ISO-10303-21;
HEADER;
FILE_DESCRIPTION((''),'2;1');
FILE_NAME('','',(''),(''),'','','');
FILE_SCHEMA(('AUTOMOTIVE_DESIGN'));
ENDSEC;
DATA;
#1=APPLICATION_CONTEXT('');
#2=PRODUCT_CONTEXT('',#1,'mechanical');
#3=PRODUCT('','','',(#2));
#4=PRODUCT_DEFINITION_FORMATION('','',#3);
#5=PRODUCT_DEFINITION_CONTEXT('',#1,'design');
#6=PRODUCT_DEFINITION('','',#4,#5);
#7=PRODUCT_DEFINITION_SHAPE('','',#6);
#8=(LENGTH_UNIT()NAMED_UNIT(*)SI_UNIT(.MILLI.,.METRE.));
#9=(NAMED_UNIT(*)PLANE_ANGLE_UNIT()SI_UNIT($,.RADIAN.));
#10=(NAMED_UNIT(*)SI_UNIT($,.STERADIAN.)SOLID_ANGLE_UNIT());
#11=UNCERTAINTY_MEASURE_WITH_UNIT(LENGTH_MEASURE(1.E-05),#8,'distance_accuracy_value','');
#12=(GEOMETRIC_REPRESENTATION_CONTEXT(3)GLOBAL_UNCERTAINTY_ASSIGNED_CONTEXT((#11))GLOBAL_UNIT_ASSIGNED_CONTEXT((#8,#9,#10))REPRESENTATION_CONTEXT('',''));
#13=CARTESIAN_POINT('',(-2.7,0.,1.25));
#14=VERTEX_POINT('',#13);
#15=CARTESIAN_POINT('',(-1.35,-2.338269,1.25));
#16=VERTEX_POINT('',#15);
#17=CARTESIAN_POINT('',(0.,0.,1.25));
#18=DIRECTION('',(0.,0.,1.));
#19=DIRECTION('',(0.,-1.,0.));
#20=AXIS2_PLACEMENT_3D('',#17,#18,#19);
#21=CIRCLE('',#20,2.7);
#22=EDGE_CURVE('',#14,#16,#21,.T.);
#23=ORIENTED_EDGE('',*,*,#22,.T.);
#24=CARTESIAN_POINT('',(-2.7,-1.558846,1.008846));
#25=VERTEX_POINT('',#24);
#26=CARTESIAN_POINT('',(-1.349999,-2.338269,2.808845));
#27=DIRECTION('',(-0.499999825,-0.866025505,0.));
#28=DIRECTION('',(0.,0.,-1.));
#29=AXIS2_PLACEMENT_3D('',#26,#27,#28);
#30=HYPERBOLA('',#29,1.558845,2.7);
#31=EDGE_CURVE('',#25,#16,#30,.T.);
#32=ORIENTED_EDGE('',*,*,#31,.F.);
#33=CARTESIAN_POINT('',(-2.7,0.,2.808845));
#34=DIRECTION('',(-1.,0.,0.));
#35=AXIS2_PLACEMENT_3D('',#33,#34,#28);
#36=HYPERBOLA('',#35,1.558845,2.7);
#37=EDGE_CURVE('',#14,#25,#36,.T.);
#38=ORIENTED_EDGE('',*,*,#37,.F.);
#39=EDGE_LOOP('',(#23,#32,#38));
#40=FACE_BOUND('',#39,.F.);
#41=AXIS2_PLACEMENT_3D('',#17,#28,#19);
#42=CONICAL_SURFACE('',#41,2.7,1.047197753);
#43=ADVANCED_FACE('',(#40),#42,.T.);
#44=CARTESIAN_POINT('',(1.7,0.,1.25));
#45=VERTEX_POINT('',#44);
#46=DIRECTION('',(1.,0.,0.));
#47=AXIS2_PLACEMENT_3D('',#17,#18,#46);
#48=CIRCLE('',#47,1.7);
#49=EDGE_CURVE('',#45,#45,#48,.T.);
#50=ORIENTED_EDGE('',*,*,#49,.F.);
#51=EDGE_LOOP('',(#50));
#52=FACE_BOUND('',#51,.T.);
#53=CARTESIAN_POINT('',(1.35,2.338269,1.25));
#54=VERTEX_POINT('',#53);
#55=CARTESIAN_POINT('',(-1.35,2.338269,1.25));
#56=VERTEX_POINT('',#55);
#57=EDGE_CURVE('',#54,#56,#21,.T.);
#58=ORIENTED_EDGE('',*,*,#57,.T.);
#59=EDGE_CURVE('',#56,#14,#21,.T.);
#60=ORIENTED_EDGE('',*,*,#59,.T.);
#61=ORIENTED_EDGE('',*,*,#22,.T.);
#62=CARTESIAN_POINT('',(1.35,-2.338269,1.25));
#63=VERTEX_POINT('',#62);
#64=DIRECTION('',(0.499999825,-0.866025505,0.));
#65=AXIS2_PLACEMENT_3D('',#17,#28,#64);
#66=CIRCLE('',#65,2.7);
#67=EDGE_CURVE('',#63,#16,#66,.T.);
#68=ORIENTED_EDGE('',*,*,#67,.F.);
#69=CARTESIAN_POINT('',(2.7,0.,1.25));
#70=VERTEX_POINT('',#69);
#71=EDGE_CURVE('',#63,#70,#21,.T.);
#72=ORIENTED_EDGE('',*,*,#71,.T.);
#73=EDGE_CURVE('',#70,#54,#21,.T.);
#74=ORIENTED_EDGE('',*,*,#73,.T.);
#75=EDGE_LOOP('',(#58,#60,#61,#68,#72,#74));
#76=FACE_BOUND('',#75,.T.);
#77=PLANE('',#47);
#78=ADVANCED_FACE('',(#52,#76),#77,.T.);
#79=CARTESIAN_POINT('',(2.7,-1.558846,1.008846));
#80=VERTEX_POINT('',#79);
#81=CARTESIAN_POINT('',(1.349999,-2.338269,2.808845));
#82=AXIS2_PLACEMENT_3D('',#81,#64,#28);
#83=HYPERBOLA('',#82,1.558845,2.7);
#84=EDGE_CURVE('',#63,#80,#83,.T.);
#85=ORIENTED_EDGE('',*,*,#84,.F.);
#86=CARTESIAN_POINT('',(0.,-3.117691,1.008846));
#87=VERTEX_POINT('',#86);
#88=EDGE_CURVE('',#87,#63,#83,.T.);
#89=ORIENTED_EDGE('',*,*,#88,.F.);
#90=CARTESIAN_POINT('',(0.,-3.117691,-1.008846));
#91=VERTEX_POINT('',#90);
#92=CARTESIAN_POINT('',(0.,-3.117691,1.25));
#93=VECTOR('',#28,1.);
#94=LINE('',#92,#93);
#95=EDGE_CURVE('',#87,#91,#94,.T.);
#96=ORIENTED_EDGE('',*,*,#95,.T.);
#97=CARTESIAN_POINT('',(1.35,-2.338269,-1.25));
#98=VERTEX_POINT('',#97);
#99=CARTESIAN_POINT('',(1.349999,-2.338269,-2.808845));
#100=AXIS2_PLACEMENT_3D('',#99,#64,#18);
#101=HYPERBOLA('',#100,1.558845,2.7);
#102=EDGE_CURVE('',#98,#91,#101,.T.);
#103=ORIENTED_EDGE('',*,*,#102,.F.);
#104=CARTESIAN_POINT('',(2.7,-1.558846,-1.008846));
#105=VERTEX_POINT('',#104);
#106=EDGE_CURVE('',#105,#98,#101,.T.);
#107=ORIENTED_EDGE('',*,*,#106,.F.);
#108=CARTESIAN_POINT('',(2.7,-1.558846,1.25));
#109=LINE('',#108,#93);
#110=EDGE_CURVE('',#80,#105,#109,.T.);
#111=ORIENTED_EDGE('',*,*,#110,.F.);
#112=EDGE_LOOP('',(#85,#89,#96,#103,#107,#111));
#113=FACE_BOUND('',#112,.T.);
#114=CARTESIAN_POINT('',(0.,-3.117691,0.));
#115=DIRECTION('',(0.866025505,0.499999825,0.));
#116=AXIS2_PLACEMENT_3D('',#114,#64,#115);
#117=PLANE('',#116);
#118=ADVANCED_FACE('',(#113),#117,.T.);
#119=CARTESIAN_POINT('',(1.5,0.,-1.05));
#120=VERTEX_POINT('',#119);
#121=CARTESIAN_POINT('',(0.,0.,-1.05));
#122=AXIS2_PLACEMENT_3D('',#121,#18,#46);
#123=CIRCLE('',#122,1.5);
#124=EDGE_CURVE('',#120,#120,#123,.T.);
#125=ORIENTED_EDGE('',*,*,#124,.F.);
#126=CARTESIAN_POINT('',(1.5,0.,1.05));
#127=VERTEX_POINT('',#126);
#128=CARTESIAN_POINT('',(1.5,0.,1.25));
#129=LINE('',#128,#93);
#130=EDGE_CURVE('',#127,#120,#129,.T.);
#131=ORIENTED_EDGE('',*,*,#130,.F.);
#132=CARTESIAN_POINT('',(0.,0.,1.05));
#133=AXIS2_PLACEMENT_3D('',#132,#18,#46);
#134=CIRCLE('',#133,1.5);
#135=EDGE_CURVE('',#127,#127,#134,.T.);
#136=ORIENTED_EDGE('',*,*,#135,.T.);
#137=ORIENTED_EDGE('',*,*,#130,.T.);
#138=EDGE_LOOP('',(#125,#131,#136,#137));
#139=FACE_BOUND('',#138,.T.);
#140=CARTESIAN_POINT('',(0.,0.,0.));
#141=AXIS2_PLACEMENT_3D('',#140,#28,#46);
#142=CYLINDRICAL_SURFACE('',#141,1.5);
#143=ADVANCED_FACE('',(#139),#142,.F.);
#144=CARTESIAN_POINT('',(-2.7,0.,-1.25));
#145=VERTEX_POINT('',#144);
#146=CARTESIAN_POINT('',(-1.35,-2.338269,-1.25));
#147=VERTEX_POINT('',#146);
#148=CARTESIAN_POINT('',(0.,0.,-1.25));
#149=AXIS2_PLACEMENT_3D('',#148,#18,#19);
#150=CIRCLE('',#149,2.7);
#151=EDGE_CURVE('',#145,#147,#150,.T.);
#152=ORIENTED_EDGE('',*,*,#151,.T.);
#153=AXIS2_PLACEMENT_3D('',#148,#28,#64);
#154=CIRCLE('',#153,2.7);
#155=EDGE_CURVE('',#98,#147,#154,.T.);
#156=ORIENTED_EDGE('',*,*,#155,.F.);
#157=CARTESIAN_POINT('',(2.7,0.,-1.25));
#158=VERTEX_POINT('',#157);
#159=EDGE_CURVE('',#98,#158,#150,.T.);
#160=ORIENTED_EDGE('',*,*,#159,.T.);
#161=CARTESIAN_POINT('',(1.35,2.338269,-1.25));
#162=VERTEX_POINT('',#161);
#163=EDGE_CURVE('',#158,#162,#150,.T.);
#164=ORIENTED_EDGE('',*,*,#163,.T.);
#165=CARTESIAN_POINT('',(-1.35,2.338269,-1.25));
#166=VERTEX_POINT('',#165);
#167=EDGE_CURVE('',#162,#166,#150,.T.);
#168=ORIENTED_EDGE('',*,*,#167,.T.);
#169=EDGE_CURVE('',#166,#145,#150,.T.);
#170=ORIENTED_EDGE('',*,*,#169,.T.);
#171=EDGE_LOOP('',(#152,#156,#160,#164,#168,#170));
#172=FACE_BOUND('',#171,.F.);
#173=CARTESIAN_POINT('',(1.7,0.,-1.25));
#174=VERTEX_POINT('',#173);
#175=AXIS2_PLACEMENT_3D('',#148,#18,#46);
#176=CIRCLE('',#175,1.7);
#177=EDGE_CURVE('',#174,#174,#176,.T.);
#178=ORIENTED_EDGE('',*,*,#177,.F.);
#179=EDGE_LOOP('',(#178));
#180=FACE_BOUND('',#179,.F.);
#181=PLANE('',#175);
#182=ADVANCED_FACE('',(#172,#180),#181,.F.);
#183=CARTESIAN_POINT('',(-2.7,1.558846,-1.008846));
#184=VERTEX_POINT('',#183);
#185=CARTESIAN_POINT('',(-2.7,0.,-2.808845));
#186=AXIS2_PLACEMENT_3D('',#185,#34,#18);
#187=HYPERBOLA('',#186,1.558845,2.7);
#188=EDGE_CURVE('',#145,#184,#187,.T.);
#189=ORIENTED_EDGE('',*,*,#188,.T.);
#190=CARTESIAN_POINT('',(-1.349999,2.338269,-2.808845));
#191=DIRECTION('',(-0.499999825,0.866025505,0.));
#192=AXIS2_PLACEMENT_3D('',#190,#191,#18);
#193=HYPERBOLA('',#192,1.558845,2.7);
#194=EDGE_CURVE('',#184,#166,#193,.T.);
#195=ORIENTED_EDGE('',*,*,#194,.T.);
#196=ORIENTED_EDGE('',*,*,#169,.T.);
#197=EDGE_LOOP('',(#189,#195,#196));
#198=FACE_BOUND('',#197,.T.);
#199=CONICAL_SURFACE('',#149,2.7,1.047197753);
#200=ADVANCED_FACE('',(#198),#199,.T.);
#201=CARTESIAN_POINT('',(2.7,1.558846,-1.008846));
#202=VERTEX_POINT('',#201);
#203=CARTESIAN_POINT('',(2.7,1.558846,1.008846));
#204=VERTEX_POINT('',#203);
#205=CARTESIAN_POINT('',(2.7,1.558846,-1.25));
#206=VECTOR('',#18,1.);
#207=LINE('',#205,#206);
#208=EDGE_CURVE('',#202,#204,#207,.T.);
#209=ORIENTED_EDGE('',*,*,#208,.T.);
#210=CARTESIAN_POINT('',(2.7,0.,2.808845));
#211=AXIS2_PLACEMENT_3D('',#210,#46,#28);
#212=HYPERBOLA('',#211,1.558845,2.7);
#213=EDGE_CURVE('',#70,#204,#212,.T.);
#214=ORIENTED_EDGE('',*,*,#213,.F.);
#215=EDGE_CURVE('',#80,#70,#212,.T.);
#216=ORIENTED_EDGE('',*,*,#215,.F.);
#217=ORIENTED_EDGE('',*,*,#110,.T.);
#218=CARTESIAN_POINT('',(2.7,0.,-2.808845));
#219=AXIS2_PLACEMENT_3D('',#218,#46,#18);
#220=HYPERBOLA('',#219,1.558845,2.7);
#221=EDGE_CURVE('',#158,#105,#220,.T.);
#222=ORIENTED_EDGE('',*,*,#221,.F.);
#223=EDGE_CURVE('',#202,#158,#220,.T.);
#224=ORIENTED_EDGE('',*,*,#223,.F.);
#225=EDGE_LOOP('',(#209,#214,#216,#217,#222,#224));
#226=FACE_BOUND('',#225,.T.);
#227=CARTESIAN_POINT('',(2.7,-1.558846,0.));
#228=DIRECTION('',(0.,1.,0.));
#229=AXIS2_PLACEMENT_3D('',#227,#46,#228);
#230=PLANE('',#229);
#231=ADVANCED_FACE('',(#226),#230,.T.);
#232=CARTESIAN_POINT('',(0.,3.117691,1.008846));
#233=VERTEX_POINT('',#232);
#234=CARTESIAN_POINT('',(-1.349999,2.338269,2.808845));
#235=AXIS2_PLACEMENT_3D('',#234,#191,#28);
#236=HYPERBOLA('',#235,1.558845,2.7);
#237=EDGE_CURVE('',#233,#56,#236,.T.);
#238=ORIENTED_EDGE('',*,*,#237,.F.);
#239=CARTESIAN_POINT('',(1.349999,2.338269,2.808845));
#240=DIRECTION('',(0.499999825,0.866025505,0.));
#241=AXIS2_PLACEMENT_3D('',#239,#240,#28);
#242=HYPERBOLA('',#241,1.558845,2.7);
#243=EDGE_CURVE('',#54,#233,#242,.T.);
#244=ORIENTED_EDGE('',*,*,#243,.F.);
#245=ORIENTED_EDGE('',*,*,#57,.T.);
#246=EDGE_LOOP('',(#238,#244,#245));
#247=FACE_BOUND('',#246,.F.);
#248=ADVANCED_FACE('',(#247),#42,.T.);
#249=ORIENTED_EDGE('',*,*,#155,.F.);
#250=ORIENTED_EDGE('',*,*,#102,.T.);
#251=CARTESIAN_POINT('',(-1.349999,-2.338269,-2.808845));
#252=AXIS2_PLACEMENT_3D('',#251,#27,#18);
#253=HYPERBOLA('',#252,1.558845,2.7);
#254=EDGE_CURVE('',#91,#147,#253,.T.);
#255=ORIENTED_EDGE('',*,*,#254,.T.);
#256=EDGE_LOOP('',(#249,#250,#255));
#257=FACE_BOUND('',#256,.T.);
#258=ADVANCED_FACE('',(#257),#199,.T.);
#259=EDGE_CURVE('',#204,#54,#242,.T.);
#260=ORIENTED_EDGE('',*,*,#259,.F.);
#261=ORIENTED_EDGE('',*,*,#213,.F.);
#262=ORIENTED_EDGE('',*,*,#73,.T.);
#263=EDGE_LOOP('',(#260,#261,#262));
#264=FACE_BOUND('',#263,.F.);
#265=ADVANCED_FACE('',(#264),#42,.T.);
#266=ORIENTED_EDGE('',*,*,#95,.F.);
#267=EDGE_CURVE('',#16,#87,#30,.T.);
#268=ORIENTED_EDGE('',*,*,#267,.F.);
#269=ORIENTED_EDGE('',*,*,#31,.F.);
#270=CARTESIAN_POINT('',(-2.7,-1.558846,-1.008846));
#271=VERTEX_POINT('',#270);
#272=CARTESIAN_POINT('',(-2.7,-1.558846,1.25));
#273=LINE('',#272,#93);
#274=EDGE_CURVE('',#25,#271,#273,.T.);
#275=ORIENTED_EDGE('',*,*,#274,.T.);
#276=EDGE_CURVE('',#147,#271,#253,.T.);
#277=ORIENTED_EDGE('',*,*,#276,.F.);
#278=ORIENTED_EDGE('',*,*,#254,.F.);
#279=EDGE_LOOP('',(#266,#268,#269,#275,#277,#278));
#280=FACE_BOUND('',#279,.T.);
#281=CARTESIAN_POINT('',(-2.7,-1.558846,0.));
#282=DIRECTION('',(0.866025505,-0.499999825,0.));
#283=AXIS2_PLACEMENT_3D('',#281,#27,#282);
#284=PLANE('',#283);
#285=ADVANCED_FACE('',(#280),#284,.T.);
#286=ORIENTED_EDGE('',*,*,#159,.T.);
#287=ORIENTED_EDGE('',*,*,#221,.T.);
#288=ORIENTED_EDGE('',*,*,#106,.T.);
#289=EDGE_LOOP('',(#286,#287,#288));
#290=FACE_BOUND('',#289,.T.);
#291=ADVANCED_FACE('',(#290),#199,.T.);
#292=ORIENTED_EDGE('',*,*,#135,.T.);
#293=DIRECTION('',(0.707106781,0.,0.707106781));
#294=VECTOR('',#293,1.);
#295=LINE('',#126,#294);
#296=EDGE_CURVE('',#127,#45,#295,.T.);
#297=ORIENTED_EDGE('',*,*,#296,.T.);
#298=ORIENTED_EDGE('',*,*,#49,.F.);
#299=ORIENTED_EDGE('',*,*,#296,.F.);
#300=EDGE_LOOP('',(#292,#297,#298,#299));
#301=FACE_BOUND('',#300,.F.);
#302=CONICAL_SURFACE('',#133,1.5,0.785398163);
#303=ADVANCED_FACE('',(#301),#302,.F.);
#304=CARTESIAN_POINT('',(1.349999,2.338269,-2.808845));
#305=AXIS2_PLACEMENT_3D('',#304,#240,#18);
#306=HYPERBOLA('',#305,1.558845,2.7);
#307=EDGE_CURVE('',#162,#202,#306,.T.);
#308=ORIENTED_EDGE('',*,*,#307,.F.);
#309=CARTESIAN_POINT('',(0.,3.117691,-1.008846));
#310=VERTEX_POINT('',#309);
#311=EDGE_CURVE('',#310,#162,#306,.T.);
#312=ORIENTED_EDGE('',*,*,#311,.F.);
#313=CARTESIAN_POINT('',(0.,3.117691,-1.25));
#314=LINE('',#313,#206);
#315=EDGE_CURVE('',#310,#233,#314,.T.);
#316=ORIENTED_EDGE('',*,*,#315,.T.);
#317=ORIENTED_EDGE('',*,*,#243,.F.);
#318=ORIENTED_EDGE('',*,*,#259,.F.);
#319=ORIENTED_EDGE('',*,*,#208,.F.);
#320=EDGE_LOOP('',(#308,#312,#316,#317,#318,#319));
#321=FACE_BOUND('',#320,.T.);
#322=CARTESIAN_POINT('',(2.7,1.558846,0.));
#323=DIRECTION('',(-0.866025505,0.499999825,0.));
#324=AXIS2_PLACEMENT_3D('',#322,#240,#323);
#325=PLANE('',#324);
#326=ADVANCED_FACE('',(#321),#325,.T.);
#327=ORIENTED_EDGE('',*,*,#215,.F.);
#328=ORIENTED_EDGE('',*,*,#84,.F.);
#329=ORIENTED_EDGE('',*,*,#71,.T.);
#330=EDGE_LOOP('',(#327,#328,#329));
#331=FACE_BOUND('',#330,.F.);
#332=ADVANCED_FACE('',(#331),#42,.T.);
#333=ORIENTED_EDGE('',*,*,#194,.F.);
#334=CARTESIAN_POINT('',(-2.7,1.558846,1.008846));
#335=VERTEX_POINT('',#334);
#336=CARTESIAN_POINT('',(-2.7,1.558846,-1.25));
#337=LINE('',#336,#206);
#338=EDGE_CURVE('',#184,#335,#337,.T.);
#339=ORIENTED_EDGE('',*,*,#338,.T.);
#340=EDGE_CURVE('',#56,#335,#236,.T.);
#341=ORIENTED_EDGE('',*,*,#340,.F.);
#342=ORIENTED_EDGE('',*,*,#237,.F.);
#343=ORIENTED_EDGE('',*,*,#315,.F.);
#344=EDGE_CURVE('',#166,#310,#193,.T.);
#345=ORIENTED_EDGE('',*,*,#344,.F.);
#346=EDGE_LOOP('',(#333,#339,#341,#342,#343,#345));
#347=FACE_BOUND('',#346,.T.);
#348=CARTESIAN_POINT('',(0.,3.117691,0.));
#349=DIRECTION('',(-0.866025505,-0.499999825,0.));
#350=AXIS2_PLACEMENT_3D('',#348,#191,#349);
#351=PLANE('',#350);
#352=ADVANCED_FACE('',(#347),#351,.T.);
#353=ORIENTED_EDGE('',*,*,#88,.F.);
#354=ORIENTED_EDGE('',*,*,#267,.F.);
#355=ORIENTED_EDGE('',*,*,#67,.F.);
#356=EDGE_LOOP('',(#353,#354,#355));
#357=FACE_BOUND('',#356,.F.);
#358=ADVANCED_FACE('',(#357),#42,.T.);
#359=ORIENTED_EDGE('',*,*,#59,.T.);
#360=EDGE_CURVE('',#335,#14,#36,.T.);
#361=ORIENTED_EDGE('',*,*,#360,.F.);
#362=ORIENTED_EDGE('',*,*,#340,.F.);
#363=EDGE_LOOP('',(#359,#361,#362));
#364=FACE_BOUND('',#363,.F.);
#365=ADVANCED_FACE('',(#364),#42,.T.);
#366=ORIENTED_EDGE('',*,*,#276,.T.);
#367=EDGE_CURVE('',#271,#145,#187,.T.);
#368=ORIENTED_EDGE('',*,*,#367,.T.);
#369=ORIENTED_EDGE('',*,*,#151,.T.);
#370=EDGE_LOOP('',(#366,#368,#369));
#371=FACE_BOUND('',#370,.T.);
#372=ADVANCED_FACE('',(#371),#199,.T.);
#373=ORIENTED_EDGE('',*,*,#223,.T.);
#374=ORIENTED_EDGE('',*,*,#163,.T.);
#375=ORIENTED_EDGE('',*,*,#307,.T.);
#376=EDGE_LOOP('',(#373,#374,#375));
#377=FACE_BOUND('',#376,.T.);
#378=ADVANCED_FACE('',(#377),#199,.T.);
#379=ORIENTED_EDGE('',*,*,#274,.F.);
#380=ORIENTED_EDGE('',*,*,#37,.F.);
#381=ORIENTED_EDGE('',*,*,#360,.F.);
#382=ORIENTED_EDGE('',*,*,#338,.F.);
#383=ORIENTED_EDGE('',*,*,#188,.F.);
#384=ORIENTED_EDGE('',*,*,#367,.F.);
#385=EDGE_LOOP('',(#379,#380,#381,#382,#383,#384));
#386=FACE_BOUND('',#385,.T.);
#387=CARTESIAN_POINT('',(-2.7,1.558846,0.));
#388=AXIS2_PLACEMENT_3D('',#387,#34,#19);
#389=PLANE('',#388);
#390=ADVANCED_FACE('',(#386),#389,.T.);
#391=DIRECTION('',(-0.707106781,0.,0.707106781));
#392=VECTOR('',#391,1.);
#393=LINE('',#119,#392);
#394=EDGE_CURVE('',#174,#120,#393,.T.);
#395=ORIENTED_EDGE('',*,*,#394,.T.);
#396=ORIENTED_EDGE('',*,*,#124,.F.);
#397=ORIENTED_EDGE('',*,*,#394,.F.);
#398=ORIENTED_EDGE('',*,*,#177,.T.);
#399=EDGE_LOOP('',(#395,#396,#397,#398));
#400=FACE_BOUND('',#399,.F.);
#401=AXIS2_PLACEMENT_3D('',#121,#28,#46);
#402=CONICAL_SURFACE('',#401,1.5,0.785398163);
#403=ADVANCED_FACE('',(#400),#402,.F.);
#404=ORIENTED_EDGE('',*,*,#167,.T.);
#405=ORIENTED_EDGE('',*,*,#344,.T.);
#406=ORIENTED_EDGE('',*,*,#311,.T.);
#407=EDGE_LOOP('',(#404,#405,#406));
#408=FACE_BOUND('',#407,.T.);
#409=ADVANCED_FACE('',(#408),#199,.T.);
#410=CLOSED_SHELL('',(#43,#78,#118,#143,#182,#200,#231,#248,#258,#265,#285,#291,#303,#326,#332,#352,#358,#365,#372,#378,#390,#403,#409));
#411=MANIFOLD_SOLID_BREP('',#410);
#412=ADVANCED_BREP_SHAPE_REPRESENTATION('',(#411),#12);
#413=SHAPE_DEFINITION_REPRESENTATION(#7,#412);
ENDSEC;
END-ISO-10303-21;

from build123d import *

# Parameters (mm, degrees)
SKETCH_R     = 1.5
PAD_DEPTH    = 1.25
CHAMFER_SIZE = 0.2


with BuildPart() as part:
    # Sketch → Pad (new body, symmetric)
    with BuildSketch(Plane.XY):
        Polygon((2.7, -1.558846), (2.7, 1.558846), (0, 3.117691), (-2.7, 1.558846), (-2.7, -1.558846), (0, -3.117691), align=None)
        Circle(SKETCH_R, mode=Mode.SUBTRACT)
    extrude(amount=PAD_DEPTH, both=True)

    # Sketch001 → Groove (revolve, cut)
    with BuildSketch(Plane.YZ):
        Polygon((-2.7, 1.25), (-3.5, 0.78812), (-3.5, 1.25), align=None)
        Polygon((-2.7, -1.25), (-3.5, -0.78812), (-3.5, -1.25), align=None)
    revolve(axis=Axis((0, 0, 0), (0, 0, 1)), mode=Mode.SUBTRACT)

    # Chamfer
    chamfer_edges = [part.edges().sort_by_distance(p)[0] for p in [
        (-1.5, 0, 1.25),
        (-1.5, 0, -1.25),
    ]]
    chamfer(chamfer_edges, length=CHAMFER_SIZE)


solid = part.part
